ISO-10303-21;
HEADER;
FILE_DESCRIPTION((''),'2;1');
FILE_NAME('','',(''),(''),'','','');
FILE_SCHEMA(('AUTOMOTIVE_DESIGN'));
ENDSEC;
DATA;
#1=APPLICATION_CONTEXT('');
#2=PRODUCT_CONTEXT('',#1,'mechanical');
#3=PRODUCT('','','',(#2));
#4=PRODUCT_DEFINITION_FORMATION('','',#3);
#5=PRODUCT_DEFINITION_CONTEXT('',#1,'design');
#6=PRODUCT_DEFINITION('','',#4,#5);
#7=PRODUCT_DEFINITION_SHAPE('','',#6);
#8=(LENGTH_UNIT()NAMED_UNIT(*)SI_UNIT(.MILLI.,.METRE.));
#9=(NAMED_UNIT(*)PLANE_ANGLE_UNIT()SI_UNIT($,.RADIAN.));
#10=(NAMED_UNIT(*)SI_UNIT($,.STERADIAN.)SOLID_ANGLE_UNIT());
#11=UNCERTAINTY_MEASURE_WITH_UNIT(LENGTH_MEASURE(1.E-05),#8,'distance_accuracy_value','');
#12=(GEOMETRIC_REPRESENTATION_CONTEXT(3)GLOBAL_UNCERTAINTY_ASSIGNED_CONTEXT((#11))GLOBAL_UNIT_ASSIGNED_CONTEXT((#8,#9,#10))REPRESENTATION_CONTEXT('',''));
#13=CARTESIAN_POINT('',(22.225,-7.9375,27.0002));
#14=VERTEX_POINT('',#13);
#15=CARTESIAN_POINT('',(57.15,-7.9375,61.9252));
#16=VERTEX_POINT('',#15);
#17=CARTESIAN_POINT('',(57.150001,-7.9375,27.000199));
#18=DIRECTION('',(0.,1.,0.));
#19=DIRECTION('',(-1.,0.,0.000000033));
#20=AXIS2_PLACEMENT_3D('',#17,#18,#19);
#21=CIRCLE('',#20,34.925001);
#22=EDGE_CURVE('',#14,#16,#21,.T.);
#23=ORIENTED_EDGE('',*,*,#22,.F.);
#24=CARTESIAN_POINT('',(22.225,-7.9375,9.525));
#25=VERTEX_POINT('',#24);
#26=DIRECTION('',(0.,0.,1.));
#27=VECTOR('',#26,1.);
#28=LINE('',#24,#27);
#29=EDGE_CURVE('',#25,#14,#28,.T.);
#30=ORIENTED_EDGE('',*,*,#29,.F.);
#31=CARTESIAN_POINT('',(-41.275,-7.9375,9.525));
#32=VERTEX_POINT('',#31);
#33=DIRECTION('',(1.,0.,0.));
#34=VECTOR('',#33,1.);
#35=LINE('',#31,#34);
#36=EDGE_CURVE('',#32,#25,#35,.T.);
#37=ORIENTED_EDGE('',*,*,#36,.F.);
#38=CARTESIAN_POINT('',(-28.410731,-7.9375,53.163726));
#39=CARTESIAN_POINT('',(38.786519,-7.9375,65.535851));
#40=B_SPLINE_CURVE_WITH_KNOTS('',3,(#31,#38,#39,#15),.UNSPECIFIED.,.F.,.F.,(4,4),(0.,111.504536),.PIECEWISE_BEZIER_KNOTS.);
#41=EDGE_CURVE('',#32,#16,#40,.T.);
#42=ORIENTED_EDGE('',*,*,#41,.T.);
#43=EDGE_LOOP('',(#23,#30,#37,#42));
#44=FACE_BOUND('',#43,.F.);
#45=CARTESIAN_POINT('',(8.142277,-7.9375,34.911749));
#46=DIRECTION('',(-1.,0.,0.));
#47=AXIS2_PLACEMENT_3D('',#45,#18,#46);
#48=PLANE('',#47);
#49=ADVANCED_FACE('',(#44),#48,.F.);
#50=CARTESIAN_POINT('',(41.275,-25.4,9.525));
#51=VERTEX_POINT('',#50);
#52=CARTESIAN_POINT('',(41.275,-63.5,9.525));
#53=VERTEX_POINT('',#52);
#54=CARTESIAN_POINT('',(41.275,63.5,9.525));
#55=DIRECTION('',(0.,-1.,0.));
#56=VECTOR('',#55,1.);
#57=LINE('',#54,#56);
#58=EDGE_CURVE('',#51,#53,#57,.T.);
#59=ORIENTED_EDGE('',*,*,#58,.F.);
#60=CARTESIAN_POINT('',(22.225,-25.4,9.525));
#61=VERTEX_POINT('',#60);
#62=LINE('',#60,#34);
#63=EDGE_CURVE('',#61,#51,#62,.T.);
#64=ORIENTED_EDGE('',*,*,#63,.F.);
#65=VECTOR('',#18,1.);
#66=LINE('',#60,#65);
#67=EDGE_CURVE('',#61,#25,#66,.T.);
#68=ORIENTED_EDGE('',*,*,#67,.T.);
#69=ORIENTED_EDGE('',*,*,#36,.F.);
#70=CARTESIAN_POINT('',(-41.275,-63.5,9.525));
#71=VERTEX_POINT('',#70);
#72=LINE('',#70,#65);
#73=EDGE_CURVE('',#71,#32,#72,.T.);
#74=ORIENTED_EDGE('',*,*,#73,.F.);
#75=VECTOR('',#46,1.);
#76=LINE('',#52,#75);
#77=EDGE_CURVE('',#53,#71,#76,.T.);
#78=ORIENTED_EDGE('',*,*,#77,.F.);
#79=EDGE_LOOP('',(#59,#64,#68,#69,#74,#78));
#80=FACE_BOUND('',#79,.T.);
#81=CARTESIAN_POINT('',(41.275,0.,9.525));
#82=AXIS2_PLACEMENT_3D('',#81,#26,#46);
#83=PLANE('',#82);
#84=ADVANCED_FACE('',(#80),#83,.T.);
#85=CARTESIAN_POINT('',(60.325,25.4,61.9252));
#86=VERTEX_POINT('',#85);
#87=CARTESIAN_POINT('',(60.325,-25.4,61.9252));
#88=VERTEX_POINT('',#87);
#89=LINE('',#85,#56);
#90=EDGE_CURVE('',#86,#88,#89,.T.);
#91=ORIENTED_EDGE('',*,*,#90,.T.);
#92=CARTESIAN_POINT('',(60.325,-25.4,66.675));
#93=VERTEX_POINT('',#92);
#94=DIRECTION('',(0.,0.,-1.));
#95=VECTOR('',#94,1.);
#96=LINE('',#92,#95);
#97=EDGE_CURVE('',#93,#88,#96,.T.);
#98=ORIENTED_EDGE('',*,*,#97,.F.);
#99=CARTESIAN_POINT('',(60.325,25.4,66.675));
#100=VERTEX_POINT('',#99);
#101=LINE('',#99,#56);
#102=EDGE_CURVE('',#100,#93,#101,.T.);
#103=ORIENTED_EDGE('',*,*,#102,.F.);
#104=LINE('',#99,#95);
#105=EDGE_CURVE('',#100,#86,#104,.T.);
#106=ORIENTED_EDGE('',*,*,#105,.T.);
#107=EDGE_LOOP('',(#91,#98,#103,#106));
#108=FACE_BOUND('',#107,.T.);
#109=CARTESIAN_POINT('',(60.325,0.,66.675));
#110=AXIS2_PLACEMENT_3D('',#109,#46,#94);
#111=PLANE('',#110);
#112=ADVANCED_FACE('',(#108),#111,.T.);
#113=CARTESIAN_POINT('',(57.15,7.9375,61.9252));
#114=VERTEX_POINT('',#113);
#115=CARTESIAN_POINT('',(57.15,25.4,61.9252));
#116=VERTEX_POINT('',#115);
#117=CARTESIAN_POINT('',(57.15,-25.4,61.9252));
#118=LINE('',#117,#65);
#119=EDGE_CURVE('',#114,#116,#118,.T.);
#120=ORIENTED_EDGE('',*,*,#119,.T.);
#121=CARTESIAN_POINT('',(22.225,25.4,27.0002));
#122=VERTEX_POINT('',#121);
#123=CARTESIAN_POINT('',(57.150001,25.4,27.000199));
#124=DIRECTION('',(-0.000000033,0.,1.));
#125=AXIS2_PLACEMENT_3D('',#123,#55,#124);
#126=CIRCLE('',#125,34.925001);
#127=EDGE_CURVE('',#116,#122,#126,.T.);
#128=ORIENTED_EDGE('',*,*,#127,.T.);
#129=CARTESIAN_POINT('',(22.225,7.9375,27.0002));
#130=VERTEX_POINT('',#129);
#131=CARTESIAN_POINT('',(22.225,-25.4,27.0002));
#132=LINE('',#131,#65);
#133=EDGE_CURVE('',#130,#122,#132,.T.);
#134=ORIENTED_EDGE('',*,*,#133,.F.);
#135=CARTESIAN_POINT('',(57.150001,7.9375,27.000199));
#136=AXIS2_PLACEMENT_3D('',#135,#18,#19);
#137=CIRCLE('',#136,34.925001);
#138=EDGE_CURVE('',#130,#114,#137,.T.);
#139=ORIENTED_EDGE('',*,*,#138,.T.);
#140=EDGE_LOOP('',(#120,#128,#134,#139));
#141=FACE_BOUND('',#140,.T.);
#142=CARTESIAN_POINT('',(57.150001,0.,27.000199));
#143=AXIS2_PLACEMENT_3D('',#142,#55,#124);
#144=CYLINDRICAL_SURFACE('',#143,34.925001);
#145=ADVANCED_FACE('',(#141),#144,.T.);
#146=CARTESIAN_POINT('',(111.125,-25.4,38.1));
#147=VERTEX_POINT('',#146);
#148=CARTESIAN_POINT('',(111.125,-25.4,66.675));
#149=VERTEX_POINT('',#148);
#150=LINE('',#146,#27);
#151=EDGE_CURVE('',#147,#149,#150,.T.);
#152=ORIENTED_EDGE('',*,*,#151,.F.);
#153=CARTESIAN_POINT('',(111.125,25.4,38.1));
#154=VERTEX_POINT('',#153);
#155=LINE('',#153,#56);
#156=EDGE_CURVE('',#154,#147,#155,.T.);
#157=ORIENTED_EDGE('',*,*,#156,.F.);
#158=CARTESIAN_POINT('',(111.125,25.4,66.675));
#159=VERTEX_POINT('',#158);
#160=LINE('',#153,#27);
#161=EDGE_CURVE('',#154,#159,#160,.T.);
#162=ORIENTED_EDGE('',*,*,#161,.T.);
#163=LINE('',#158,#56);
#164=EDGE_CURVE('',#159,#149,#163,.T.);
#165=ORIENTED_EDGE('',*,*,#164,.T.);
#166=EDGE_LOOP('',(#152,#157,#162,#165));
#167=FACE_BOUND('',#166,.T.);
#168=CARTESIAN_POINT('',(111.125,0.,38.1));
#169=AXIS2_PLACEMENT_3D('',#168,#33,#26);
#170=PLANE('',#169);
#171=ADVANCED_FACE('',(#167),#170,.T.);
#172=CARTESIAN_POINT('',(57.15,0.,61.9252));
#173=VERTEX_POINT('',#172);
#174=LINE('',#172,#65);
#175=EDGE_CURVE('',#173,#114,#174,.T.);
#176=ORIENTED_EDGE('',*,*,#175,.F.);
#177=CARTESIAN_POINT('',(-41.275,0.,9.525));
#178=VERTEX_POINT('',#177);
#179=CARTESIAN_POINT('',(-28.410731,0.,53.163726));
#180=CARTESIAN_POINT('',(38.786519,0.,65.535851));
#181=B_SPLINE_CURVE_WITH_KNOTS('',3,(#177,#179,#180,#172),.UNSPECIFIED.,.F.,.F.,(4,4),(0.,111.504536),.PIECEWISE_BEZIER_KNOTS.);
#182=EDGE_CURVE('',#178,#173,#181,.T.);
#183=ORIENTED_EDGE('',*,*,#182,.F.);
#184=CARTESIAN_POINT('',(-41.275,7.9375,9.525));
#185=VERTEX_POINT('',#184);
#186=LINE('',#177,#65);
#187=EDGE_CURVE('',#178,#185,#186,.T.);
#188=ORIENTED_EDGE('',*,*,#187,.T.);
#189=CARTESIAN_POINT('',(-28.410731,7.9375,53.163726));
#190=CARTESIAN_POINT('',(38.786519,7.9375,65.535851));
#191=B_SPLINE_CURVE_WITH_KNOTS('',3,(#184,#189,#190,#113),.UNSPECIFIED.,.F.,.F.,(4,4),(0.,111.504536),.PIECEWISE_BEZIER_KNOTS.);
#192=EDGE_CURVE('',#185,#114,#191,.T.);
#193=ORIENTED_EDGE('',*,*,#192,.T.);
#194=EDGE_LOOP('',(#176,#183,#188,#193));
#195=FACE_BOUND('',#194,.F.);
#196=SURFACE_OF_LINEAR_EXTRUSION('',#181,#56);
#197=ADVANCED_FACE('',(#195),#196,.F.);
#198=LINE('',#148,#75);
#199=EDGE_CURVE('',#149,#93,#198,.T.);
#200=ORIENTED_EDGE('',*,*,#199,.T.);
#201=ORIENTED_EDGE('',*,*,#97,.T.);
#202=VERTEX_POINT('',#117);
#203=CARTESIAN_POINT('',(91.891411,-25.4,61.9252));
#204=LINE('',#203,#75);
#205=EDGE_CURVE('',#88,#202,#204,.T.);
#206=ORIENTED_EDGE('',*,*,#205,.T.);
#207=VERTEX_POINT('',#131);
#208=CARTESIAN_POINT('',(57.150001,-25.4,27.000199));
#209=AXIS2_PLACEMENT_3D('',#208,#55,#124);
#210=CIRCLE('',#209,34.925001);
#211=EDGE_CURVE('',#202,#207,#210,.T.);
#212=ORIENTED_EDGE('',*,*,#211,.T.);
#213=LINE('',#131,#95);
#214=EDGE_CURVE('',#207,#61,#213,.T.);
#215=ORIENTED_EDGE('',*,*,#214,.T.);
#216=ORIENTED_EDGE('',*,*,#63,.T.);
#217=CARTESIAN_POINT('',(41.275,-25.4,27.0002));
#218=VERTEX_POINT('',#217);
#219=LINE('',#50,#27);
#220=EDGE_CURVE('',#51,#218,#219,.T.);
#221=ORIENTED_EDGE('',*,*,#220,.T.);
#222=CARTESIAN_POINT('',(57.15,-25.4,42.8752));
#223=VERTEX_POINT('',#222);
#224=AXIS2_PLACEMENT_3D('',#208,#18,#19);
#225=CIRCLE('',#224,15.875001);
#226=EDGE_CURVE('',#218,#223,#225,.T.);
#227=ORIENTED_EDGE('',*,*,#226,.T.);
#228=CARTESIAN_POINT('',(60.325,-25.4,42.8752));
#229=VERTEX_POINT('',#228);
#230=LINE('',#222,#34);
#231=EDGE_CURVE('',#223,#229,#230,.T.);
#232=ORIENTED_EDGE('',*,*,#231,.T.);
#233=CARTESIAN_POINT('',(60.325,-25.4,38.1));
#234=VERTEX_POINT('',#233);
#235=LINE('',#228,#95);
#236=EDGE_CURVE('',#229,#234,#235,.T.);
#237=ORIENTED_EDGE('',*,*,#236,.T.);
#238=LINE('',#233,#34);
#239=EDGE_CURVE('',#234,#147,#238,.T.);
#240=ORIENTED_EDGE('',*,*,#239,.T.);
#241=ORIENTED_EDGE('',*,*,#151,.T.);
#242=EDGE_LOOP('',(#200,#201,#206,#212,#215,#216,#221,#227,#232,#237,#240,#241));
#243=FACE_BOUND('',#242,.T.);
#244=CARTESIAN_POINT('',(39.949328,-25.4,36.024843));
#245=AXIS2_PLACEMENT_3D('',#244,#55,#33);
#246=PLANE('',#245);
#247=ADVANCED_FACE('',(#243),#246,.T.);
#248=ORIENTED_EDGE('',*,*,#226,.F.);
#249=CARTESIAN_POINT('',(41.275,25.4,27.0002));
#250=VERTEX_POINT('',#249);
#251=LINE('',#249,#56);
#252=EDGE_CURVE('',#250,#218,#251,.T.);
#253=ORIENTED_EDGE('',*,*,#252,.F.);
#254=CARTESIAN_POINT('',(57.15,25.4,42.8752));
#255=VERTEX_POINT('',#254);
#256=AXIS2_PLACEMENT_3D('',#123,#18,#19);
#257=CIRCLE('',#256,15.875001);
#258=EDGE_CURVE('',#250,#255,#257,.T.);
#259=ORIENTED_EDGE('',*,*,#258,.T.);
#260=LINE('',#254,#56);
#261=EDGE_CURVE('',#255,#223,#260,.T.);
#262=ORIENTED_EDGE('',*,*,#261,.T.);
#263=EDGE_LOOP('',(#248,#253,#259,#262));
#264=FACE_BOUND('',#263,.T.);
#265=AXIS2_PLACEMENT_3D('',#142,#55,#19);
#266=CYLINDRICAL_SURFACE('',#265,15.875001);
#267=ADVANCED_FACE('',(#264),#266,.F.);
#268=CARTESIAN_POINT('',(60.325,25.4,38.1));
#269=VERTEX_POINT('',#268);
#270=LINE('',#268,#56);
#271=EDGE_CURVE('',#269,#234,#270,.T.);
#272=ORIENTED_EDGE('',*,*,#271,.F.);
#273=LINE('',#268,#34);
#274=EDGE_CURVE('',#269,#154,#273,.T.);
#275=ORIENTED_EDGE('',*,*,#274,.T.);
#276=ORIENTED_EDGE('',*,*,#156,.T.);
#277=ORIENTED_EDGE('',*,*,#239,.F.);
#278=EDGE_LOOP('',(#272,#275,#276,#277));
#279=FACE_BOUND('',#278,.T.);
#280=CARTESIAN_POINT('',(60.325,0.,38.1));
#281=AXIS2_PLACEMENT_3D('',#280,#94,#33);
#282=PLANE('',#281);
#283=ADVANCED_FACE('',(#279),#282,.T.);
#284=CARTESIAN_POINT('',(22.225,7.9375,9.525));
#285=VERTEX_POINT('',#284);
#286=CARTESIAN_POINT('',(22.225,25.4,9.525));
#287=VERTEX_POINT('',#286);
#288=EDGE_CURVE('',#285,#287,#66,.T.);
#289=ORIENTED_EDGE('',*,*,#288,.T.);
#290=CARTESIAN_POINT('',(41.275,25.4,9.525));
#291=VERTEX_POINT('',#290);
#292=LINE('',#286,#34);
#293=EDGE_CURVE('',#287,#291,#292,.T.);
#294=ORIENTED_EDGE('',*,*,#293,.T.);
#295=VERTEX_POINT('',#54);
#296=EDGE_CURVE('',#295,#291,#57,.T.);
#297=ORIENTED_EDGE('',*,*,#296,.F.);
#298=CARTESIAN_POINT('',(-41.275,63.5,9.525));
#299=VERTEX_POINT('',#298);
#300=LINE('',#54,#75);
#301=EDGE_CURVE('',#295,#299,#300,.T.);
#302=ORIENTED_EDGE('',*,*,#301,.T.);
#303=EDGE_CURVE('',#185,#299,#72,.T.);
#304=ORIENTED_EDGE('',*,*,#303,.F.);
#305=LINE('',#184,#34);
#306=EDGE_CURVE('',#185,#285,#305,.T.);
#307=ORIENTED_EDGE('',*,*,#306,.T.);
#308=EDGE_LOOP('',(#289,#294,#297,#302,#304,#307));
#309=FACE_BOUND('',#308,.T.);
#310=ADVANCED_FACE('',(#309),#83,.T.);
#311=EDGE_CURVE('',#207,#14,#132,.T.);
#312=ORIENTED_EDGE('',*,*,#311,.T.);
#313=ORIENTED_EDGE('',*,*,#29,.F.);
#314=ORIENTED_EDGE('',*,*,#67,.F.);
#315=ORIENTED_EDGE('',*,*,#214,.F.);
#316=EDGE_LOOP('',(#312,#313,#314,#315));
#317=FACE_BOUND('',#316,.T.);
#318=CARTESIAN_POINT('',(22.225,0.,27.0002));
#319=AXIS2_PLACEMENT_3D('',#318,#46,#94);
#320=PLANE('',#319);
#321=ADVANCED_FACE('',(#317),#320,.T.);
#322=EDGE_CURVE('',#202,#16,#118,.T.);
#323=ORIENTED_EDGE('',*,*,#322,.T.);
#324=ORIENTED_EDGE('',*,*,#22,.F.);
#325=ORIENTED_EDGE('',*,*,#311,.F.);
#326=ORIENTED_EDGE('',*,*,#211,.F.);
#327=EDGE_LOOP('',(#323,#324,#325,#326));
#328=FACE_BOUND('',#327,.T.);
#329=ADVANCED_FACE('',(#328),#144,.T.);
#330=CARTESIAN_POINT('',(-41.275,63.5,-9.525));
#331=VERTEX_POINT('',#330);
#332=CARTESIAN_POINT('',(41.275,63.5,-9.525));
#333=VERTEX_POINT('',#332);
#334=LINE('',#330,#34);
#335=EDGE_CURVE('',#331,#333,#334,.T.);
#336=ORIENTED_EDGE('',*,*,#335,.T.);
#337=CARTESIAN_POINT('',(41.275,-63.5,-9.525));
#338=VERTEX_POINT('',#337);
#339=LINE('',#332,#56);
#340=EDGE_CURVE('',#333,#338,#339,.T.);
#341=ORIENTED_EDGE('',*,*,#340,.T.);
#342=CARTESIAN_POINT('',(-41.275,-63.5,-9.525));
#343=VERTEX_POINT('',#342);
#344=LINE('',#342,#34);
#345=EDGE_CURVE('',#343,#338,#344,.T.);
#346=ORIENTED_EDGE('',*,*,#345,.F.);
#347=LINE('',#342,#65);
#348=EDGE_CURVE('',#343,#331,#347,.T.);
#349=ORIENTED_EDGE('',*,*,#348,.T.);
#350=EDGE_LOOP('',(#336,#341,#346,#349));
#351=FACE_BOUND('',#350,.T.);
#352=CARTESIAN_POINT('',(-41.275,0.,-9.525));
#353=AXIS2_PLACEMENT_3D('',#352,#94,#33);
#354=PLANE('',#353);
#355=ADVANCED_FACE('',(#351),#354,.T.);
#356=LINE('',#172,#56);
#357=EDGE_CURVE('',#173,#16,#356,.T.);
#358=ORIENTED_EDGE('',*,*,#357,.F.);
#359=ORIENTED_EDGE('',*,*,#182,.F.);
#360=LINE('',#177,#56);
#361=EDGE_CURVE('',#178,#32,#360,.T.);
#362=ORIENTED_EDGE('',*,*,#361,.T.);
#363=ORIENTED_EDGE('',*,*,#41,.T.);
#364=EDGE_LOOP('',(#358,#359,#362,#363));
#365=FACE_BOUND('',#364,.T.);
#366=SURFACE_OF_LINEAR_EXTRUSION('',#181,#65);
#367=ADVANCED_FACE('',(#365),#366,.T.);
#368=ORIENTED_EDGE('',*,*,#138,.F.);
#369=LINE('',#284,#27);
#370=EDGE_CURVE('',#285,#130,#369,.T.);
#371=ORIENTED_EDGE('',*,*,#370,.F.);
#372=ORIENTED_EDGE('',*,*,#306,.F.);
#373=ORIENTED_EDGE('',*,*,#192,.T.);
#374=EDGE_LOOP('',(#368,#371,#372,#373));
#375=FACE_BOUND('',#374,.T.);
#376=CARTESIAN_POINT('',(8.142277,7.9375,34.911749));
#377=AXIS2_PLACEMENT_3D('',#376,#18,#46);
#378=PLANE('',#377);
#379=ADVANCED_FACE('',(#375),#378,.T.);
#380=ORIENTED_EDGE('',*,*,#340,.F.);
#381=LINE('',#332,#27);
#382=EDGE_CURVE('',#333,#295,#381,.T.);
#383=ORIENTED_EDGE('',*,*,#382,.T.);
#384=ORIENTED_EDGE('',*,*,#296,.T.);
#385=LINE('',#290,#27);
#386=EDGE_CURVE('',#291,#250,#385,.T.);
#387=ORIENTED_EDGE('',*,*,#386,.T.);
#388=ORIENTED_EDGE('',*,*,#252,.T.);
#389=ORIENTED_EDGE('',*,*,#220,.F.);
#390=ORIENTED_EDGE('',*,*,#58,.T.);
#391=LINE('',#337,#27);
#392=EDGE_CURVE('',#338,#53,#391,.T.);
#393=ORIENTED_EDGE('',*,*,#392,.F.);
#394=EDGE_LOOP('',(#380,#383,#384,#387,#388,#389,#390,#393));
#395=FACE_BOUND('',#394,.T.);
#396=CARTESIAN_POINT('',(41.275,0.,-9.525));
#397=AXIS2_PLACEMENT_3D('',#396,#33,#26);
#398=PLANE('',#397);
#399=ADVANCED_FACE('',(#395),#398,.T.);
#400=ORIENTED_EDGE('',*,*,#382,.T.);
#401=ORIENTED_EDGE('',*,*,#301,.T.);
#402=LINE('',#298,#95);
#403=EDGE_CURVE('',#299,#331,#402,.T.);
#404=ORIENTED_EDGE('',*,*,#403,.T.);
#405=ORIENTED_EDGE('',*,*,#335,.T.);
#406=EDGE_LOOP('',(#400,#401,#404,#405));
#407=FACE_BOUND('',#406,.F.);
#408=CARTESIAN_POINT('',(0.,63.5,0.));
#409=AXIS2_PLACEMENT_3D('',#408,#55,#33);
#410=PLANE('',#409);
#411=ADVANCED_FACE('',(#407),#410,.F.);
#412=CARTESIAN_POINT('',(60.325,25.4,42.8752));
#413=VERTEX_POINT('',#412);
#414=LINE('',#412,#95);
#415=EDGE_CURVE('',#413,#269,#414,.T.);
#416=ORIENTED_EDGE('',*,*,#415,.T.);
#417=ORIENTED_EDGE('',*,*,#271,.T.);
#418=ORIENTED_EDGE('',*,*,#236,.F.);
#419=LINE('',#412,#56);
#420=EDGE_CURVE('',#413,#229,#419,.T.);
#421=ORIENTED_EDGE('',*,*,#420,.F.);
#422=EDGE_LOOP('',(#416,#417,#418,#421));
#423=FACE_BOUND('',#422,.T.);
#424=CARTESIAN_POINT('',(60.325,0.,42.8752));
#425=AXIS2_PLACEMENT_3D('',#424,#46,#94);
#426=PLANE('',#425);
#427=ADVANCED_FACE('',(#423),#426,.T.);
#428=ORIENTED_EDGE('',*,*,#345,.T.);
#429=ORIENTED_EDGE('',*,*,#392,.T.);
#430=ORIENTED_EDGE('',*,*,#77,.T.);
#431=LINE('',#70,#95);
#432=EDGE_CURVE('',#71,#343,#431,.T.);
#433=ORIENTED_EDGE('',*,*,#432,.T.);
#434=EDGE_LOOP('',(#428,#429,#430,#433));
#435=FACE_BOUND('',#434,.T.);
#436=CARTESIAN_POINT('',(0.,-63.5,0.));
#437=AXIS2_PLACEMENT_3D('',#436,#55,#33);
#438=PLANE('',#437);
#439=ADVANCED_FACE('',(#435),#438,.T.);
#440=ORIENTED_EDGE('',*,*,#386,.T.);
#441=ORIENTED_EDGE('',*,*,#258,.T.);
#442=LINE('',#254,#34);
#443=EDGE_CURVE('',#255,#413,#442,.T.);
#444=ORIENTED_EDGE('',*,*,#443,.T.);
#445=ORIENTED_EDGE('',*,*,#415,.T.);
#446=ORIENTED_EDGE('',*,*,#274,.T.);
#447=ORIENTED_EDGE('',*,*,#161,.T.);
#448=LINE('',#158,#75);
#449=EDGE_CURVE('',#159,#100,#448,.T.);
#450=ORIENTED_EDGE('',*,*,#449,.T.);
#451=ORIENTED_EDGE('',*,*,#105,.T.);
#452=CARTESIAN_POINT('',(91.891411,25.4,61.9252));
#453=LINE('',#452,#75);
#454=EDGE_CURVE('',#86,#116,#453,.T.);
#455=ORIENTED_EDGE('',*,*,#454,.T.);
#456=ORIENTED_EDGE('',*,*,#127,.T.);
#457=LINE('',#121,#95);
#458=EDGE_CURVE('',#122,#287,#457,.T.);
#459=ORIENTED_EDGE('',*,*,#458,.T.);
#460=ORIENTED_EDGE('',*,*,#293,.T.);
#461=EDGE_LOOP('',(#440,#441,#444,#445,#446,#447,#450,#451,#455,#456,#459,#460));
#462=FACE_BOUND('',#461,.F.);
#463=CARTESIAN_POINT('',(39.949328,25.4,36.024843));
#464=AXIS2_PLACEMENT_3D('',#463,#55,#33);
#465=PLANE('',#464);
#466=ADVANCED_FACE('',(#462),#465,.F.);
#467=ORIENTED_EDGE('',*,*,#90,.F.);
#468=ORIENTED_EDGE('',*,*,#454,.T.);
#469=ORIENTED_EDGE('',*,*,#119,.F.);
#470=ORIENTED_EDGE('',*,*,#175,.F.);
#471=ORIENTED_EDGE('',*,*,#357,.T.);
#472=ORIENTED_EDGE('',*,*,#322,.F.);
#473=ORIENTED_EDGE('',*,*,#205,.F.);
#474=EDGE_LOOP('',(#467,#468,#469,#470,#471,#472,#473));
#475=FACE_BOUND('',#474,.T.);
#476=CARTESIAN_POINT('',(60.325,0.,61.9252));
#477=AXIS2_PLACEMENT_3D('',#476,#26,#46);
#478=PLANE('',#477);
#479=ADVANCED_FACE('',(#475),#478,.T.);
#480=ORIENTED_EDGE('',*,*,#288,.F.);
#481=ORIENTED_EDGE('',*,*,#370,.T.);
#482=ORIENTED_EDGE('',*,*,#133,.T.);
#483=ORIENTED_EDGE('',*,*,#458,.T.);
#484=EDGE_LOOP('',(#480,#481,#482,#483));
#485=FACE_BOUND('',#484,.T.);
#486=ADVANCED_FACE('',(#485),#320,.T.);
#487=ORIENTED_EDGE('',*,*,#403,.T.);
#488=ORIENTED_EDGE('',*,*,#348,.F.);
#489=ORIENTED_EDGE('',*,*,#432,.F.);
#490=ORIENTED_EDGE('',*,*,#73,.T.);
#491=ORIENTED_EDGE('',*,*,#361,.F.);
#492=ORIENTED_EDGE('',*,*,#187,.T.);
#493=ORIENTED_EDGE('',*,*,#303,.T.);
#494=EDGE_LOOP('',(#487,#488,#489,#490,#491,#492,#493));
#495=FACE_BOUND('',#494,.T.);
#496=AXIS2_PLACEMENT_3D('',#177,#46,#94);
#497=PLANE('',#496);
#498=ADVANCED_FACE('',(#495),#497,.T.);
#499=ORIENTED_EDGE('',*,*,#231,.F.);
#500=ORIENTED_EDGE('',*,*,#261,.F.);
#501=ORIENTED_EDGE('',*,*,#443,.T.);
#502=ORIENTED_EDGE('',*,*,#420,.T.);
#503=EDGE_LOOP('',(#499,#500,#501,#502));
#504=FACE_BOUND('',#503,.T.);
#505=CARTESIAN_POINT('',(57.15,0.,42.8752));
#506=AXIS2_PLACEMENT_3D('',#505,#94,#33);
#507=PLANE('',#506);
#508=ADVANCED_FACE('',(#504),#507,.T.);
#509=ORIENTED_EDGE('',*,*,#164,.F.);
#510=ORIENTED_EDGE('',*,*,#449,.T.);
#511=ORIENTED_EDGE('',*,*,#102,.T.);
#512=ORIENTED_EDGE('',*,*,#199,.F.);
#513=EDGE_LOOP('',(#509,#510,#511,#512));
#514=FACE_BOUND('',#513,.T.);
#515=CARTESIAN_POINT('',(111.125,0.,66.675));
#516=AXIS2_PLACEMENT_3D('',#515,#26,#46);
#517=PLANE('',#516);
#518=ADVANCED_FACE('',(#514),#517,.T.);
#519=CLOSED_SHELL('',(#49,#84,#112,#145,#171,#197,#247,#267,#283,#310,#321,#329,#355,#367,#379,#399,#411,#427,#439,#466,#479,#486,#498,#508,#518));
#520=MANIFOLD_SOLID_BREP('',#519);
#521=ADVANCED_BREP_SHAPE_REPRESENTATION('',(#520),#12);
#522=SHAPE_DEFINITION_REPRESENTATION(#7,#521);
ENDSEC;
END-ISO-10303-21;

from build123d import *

# Parameters (mm, degrees)
F1_DEPTH = 63.5
F2_DEPTH = 25.4
F3_DEPTH = 7.9375


with BuildPart() as f1:
    # F0 (on Front) → F1 (new body, symmetric)
    with BuildSketch(Plane.XZ):
        Polygon((-41.275, -9.525), (41.275, -9.525), (41.275, 9.525), (22.225, 9.525), (-41.275, 9.525), align=None)
    extrude(amount=F1_DEPTH, both=True)

    # F0 (on Front) → F2 (join, symmetric)
    with BuildSketch(Plane.XZ):
        with BuildLine():
            Line((22.225, 9.525), (41.275, 9.525))
            Line((41.275, 9.525), (41.275, 27.0002))
            ThreePointArc((41.275, 27.0002), (45.92468, 38.22552), (57.15, 42.8752))
            Line((57.15, 42.8752), (60.325, 42.8752))
            Line((60.325, 42.8752), (60.325, 61.9252))
            Line((60.325, 61.9252), (57.15, 61.9252))
            ThreePointArc((57.15, 61.9252), (32.454296, 51.695904), (22.225, 27.0002))
            Line((22.225, 27.0002), (22.225, 9.525))
        make_face()
        Polygon((91.891411, 61.9252), (60.325, 61.9252), (60.325, 42.8752), (74.520705, 42.8752), (91.891411, 42.8752), align=None)
        Polygon((60.325, 66.675), (60.325, 61.9252), (91.891411, 61.9252), (91.891411, 42.8752), (74.520705, 42.8752), (60.325, 42.8752), (60.325, 38.1), (111.125, 38.1), (111.125, 66.675), align=None)
    extrude(amount=F2_DEPTH, both=True)

    # F0 (on Front) → F3 (join, symmetric)
    with BuildSketch(Plane.XZ):
        with BuildLine():
            add(Edge.make_bspline(
                [(-41.275, 9.525), (-28.410731, 53.163726), (38.786519, 65.535851), (57.15, 61.9252)],
                knots=[0, 0, 0, 0, 111.504536, 111.504536, 111.504536, 111.504536], degree=3))
            Line((-41.275, 9.525), (22.225, 9.525))
            Line((22.225, 9.525), (22.225, 27.0002))
            ThreePointArc((22.225, 27.0002), (32.454296, 51.695904), (57.15, 61.9252))
        make_face()
    extrude(amount=F3_DEPTH, both=True)


solid = f1.part
